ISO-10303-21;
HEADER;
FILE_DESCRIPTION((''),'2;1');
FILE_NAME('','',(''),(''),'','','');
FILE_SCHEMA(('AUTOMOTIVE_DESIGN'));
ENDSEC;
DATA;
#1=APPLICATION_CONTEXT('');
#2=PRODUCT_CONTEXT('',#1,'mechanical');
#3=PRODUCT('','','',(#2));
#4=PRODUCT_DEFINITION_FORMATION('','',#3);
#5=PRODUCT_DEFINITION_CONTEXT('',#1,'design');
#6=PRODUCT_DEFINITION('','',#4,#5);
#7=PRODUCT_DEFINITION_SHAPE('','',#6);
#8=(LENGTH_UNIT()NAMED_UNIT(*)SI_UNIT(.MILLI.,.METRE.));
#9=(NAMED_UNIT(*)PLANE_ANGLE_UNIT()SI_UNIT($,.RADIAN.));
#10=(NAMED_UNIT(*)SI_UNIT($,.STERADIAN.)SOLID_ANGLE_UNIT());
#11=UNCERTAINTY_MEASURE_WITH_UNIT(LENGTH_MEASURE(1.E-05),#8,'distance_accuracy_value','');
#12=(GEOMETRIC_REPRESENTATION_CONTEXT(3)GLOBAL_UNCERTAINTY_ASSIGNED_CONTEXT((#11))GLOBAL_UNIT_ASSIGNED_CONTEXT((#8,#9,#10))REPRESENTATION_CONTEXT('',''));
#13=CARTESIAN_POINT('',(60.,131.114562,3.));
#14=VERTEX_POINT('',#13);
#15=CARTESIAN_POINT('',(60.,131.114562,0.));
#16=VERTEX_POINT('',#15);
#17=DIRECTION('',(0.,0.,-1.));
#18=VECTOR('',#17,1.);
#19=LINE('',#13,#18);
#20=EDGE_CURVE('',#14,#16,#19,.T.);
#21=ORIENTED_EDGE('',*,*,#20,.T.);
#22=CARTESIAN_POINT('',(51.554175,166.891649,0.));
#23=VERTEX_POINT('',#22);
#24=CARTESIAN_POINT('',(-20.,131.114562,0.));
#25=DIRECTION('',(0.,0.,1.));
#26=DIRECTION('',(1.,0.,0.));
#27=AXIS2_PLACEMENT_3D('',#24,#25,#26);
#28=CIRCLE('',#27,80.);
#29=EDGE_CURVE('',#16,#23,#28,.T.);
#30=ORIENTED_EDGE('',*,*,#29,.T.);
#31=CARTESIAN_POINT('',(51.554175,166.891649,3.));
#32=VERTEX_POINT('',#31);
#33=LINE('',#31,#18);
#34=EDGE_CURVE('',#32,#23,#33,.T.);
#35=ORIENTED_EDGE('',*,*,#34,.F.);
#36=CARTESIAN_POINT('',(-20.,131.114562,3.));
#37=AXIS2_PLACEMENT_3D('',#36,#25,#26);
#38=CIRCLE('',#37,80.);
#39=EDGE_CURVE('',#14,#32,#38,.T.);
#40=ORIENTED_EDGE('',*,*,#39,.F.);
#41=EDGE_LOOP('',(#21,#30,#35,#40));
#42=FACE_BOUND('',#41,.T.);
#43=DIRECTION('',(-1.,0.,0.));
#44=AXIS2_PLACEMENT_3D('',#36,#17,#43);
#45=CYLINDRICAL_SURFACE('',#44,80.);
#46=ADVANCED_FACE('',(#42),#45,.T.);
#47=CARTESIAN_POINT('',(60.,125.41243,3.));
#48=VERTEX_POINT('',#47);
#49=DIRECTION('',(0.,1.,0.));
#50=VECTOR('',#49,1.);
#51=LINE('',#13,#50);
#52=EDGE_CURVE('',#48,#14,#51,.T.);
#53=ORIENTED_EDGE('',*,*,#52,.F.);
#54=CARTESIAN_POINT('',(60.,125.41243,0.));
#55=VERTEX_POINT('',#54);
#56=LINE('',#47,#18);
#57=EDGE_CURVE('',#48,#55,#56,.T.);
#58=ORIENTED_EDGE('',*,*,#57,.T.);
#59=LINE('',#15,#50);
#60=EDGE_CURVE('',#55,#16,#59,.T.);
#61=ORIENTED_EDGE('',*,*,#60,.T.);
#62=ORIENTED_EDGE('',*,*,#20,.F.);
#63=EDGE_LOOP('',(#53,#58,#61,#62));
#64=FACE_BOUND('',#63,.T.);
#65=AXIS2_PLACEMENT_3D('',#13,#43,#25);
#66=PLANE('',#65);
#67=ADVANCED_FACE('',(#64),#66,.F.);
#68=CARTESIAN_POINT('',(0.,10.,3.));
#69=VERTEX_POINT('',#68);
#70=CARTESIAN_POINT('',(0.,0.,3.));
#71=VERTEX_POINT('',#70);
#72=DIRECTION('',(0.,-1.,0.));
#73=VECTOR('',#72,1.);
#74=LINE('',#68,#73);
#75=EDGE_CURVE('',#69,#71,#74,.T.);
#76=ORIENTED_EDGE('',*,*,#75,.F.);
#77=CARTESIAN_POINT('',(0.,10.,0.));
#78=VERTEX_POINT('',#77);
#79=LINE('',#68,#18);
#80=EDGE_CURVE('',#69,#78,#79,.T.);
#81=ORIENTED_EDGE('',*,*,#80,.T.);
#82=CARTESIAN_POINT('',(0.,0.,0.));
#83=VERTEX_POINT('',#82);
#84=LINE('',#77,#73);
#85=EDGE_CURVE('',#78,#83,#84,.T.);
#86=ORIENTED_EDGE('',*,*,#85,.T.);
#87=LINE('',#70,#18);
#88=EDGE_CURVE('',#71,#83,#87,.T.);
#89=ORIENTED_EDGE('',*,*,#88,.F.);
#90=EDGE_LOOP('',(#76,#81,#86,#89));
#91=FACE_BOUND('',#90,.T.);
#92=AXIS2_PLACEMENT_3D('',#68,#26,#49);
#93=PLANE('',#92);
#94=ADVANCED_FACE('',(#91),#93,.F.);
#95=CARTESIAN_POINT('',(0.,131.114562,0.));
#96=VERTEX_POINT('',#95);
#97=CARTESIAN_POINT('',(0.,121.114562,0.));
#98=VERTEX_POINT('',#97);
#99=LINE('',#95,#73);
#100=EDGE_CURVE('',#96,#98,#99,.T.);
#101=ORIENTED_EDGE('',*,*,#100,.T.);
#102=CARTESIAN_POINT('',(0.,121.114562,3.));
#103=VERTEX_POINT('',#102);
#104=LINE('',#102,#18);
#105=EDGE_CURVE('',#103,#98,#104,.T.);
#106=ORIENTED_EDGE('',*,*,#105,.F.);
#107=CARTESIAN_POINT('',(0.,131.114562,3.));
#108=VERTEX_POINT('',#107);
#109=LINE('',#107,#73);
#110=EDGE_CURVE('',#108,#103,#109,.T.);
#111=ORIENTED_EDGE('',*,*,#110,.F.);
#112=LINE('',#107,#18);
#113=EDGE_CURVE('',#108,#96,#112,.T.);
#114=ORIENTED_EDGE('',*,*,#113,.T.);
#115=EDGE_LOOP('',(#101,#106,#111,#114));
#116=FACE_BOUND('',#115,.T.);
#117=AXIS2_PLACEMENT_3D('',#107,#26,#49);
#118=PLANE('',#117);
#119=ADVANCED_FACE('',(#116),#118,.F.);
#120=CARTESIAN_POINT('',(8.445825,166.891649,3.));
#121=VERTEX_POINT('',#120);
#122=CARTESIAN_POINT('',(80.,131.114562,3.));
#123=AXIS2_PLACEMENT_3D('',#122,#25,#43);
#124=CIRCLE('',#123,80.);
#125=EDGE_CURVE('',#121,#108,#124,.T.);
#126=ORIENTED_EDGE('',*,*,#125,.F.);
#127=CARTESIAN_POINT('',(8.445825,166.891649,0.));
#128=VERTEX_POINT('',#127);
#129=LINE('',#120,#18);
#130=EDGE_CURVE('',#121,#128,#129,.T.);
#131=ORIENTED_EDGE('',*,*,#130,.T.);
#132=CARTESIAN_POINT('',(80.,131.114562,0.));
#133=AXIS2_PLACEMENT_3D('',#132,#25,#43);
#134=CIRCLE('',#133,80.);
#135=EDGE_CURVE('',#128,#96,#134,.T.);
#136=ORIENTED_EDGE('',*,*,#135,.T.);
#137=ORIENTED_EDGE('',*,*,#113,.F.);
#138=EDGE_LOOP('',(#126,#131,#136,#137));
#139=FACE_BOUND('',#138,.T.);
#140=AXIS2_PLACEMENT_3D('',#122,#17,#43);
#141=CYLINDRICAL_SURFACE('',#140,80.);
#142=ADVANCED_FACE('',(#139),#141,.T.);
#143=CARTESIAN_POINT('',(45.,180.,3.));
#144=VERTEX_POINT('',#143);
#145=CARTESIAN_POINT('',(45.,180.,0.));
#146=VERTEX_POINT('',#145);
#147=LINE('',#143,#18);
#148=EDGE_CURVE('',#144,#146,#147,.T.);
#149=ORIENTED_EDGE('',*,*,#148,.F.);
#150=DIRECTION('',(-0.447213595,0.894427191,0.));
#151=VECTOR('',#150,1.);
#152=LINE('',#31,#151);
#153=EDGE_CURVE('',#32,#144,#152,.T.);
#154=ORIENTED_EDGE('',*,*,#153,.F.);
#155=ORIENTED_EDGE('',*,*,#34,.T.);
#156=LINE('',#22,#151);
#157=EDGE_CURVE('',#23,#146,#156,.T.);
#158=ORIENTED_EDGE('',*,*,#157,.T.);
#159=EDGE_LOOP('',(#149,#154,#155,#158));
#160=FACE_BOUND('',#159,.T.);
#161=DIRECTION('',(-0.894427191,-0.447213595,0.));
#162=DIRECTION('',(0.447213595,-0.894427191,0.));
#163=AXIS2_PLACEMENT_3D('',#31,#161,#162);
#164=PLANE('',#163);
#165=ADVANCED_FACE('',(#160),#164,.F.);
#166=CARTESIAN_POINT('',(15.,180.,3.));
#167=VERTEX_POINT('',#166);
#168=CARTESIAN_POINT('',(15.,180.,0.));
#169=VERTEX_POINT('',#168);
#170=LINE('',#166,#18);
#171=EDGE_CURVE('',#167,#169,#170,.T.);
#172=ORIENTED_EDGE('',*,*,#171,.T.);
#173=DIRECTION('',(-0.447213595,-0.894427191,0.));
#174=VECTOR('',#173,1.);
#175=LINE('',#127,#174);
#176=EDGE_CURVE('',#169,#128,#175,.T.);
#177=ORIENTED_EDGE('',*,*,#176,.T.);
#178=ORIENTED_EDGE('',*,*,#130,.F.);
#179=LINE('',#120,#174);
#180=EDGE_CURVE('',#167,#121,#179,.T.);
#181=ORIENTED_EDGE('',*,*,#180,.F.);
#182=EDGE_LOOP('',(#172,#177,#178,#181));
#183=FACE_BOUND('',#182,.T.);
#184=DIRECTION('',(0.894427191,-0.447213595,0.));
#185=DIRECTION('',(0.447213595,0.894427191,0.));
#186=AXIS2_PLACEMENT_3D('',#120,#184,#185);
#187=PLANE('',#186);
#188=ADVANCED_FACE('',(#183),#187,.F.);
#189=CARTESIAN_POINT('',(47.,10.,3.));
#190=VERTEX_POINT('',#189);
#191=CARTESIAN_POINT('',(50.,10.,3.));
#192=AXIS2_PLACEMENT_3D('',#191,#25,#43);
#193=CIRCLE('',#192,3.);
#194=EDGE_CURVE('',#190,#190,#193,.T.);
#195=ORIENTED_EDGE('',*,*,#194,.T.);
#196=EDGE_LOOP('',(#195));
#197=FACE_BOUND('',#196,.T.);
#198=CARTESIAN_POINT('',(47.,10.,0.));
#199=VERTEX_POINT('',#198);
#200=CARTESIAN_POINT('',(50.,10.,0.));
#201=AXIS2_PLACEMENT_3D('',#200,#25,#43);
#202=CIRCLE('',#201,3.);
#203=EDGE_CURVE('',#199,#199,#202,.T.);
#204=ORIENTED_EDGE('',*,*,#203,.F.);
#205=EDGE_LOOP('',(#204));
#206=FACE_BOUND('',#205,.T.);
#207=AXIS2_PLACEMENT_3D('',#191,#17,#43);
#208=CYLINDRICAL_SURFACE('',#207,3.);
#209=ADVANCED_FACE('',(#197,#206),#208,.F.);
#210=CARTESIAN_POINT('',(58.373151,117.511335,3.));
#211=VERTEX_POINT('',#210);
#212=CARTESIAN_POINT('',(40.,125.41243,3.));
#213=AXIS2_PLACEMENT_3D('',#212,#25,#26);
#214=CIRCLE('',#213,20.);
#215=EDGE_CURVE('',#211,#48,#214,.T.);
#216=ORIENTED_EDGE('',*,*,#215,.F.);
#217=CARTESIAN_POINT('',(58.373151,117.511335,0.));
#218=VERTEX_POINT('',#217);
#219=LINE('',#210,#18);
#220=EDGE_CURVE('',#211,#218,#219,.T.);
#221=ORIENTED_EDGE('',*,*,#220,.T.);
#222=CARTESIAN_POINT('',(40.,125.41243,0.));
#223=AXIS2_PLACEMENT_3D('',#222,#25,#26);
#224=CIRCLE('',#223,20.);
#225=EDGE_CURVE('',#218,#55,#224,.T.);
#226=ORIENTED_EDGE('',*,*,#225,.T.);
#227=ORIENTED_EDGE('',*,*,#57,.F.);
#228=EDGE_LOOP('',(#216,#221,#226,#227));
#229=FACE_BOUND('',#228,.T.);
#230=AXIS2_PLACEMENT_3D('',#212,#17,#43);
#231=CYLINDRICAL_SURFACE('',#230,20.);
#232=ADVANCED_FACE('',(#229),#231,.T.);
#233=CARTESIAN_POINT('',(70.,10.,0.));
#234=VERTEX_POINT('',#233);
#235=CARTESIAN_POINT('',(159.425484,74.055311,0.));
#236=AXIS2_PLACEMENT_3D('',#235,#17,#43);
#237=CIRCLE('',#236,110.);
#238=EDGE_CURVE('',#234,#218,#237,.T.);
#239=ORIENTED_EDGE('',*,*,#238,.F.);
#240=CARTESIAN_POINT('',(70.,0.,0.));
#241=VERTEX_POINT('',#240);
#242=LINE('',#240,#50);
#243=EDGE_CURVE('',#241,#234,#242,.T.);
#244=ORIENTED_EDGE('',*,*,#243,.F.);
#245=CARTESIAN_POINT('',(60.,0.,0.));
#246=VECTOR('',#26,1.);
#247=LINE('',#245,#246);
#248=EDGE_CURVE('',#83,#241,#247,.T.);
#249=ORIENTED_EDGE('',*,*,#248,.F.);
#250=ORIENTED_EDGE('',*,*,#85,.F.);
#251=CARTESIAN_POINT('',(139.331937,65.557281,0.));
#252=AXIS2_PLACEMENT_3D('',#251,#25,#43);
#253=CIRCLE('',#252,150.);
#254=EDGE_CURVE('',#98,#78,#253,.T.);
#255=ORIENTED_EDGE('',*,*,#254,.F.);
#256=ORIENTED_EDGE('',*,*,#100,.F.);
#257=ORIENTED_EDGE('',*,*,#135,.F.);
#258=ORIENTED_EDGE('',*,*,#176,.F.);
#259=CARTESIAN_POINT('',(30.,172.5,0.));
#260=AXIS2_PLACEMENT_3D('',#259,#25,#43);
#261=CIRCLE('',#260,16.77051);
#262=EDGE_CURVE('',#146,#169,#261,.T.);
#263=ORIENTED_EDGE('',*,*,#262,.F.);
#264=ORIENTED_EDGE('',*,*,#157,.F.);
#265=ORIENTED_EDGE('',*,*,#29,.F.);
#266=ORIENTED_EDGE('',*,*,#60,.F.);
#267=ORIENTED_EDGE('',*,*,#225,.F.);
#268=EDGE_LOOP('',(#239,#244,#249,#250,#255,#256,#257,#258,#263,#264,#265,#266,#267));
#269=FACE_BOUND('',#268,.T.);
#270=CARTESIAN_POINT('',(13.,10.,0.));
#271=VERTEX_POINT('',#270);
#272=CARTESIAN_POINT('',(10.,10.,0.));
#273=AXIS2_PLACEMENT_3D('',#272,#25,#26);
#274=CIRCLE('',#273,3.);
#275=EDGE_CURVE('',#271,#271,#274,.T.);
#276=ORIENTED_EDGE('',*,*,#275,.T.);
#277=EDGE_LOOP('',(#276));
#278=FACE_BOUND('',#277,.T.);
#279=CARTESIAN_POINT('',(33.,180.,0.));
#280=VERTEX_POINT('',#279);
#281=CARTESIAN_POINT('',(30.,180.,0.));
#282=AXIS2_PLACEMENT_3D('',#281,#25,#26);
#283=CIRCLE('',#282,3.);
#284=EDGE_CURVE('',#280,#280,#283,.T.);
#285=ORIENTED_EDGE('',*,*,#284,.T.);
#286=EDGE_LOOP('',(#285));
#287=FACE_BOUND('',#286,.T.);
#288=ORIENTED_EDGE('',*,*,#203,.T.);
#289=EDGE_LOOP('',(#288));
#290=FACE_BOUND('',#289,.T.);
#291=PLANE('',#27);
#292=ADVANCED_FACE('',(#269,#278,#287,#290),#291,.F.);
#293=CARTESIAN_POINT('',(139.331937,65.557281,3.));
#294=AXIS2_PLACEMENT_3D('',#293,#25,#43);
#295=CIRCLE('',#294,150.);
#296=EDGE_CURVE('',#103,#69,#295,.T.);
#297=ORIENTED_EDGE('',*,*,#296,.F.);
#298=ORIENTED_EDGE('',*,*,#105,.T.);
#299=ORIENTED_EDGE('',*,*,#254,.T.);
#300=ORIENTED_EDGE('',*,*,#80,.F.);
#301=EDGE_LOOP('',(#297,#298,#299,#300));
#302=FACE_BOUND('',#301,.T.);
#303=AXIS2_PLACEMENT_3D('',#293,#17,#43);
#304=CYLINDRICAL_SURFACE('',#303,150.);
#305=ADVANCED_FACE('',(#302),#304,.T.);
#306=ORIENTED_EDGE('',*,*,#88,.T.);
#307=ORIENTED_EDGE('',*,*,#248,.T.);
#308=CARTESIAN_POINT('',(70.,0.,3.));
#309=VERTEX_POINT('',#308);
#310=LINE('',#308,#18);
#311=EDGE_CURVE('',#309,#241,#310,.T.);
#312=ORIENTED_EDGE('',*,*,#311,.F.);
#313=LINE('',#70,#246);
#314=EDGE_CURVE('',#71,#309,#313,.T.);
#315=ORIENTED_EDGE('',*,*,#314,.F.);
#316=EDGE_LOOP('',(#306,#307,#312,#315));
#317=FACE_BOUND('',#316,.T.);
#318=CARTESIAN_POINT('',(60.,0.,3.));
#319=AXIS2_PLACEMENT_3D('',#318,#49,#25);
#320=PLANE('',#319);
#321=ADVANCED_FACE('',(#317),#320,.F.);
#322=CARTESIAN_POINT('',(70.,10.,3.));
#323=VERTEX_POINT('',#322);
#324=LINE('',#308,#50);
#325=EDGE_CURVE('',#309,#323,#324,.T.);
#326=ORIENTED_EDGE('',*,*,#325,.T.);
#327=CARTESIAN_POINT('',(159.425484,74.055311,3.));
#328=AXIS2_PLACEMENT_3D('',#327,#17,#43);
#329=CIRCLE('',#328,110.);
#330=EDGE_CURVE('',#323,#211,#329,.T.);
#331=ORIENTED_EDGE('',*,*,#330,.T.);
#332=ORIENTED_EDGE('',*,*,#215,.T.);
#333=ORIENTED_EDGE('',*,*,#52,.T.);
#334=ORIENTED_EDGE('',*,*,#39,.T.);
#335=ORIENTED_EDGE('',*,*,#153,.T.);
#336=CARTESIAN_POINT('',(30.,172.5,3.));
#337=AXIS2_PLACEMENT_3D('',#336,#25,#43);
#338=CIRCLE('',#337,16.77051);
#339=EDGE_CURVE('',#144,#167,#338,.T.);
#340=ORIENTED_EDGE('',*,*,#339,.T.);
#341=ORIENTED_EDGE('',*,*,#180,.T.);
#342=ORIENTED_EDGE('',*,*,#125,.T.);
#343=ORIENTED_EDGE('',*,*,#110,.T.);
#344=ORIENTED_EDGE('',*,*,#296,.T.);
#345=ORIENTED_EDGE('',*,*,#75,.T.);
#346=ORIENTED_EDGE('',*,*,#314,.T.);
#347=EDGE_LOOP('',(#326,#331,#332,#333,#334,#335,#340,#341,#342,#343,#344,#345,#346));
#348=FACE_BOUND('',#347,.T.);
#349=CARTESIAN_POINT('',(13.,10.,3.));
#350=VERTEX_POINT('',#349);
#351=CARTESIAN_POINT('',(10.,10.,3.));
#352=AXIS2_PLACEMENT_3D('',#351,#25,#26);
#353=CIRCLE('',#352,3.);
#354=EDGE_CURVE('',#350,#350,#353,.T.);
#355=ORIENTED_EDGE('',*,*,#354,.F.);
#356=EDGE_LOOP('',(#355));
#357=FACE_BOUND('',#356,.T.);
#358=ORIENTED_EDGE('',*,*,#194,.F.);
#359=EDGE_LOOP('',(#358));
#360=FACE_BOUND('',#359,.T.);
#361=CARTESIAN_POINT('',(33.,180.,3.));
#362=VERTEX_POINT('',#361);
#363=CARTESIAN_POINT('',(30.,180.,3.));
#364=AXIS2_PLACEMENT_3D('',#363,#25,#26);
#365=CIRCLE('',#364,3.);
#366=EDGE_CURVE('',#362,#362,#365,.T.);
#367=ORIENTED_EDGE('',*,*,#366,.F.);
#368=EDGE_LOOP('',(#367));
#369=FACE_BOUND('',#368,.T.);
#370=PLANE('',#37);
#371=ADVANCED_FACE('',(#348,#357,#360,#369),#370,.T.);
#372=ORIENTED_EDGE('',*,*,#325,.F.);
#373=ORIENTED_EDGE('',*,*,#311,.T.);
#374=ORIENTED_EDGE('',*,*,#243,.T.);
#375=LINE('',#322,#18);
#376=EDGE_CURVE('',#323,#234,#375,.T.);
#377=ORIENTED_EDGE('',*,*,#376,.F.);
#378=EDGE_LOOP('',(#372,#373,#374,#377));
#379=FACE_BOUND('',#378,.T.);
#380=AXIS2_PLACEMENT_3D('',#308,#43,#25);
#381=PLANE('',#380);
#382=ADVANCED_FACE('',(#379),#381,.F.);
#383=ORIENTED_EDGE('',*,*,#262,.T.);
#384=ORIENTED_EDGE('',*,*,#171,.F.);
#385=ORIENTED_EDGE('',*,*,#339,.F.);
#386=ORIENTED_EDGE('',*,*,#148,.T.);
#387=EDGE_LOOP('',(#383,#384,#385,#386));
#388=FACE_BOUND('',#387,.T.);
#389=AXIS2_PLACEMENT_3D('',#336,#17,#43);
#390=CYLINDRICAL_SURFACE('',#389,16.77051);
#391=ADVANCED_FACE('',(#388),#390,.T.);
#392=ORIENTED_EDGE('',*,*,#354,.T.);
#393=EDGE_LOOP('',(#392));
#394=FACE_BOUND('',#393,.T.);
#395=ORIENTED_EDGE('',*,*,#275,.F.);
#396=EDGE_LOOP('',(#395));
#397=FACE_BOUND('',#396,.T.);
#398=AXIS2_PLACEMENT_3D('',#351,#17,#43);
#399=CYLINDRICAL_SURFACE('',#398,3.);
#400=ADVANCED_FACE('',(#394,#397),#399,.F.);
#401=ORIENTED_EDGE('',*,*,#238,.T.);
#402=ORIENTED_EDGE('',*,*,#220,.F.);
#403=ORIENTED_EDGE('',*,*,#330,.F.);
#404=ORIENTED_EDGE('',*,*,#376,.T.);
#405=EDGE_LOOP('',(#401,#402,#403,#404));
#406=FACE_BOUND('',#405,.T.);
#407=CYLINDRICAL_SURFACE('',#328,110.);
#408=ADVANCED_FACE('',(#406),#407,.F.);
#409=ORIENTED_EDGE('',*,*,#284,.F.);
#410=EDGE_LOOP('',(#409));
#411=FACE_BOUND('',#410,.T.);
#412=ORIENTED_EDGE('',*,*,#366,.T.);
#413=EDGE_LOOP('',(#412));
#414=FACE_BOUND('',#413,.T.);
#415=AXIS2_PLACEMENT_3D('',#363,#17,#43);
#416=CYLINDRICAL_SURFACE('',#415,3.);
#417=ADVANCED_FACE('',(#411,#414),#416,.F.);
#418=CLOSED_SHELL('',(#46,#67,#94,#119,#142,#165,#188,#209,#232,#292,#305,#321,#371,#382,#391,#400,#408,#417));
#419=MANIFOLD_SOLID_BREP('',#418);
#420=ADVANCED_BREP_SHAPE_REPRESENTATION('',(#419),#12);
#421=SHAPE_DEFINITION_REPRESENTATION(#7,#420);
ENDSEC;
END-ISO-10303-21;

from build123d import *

# Parameters (mm, degrees)
SKETCH_1_R      = 3
EXTRUDE_1_DEPTH = 3


with BuildPart() as part:
    # 草图1 → 凸台-拉伸1 (new body)
    with BuildSketch(Plane.XY):
        with BuildLine():
            Line((8.44582472, 166.89164944), (15, 180))
            ThreePointArc((15, 180), (30, 189.270509831), (45, 180))
            Line((45, 180), (51.55417528, 166.89164944))
            ThreePointArc((51.55417528, 166.89164944), (57.859919157, 149.494795444), (60, 131.1145618))
            Line((60, 131.1145618), (60, 125.412430481))
            ThreePointArc((60, 125.412430481), (59.589066182, 121.379009336), (58.373151387, 117.511335106))
            ThreePointArc((58.373151387, 117.511335106), (50.063143822, 62.228284379), (70, 10))
            Line((70, 10), (70, 0))
            Line((70, 0), (60, 0))
            Line((60, 0), (0, 0))
            Line((0, 0), (0, 10))
            ThreePointArc((0, 10), (-10.668063464, 65.5572809), (0, 121.1145618))
            Line((0, 121.1145618), (0, 131.1145618))
            ThreePointArc((0, 131.1145618), (2.140080843, 149.494795444), (8.44582472, 166.89164944))
        make_face()
        with Locations((10, 10)):
            Circle(SKETCH_1_R, mode=Mode.SUBTRACT)
        with Locations((50, 10)):
            Circle(SKETCH_1_R, mode=Mode.SUBTRACT)
        with Locations((30, 180)):
            Circle(SKETCH_1_R, mode=Mode.SUBTRACT)
    extrude(amount=EXTRUDE_1_DEPTH)


solid = part.part
